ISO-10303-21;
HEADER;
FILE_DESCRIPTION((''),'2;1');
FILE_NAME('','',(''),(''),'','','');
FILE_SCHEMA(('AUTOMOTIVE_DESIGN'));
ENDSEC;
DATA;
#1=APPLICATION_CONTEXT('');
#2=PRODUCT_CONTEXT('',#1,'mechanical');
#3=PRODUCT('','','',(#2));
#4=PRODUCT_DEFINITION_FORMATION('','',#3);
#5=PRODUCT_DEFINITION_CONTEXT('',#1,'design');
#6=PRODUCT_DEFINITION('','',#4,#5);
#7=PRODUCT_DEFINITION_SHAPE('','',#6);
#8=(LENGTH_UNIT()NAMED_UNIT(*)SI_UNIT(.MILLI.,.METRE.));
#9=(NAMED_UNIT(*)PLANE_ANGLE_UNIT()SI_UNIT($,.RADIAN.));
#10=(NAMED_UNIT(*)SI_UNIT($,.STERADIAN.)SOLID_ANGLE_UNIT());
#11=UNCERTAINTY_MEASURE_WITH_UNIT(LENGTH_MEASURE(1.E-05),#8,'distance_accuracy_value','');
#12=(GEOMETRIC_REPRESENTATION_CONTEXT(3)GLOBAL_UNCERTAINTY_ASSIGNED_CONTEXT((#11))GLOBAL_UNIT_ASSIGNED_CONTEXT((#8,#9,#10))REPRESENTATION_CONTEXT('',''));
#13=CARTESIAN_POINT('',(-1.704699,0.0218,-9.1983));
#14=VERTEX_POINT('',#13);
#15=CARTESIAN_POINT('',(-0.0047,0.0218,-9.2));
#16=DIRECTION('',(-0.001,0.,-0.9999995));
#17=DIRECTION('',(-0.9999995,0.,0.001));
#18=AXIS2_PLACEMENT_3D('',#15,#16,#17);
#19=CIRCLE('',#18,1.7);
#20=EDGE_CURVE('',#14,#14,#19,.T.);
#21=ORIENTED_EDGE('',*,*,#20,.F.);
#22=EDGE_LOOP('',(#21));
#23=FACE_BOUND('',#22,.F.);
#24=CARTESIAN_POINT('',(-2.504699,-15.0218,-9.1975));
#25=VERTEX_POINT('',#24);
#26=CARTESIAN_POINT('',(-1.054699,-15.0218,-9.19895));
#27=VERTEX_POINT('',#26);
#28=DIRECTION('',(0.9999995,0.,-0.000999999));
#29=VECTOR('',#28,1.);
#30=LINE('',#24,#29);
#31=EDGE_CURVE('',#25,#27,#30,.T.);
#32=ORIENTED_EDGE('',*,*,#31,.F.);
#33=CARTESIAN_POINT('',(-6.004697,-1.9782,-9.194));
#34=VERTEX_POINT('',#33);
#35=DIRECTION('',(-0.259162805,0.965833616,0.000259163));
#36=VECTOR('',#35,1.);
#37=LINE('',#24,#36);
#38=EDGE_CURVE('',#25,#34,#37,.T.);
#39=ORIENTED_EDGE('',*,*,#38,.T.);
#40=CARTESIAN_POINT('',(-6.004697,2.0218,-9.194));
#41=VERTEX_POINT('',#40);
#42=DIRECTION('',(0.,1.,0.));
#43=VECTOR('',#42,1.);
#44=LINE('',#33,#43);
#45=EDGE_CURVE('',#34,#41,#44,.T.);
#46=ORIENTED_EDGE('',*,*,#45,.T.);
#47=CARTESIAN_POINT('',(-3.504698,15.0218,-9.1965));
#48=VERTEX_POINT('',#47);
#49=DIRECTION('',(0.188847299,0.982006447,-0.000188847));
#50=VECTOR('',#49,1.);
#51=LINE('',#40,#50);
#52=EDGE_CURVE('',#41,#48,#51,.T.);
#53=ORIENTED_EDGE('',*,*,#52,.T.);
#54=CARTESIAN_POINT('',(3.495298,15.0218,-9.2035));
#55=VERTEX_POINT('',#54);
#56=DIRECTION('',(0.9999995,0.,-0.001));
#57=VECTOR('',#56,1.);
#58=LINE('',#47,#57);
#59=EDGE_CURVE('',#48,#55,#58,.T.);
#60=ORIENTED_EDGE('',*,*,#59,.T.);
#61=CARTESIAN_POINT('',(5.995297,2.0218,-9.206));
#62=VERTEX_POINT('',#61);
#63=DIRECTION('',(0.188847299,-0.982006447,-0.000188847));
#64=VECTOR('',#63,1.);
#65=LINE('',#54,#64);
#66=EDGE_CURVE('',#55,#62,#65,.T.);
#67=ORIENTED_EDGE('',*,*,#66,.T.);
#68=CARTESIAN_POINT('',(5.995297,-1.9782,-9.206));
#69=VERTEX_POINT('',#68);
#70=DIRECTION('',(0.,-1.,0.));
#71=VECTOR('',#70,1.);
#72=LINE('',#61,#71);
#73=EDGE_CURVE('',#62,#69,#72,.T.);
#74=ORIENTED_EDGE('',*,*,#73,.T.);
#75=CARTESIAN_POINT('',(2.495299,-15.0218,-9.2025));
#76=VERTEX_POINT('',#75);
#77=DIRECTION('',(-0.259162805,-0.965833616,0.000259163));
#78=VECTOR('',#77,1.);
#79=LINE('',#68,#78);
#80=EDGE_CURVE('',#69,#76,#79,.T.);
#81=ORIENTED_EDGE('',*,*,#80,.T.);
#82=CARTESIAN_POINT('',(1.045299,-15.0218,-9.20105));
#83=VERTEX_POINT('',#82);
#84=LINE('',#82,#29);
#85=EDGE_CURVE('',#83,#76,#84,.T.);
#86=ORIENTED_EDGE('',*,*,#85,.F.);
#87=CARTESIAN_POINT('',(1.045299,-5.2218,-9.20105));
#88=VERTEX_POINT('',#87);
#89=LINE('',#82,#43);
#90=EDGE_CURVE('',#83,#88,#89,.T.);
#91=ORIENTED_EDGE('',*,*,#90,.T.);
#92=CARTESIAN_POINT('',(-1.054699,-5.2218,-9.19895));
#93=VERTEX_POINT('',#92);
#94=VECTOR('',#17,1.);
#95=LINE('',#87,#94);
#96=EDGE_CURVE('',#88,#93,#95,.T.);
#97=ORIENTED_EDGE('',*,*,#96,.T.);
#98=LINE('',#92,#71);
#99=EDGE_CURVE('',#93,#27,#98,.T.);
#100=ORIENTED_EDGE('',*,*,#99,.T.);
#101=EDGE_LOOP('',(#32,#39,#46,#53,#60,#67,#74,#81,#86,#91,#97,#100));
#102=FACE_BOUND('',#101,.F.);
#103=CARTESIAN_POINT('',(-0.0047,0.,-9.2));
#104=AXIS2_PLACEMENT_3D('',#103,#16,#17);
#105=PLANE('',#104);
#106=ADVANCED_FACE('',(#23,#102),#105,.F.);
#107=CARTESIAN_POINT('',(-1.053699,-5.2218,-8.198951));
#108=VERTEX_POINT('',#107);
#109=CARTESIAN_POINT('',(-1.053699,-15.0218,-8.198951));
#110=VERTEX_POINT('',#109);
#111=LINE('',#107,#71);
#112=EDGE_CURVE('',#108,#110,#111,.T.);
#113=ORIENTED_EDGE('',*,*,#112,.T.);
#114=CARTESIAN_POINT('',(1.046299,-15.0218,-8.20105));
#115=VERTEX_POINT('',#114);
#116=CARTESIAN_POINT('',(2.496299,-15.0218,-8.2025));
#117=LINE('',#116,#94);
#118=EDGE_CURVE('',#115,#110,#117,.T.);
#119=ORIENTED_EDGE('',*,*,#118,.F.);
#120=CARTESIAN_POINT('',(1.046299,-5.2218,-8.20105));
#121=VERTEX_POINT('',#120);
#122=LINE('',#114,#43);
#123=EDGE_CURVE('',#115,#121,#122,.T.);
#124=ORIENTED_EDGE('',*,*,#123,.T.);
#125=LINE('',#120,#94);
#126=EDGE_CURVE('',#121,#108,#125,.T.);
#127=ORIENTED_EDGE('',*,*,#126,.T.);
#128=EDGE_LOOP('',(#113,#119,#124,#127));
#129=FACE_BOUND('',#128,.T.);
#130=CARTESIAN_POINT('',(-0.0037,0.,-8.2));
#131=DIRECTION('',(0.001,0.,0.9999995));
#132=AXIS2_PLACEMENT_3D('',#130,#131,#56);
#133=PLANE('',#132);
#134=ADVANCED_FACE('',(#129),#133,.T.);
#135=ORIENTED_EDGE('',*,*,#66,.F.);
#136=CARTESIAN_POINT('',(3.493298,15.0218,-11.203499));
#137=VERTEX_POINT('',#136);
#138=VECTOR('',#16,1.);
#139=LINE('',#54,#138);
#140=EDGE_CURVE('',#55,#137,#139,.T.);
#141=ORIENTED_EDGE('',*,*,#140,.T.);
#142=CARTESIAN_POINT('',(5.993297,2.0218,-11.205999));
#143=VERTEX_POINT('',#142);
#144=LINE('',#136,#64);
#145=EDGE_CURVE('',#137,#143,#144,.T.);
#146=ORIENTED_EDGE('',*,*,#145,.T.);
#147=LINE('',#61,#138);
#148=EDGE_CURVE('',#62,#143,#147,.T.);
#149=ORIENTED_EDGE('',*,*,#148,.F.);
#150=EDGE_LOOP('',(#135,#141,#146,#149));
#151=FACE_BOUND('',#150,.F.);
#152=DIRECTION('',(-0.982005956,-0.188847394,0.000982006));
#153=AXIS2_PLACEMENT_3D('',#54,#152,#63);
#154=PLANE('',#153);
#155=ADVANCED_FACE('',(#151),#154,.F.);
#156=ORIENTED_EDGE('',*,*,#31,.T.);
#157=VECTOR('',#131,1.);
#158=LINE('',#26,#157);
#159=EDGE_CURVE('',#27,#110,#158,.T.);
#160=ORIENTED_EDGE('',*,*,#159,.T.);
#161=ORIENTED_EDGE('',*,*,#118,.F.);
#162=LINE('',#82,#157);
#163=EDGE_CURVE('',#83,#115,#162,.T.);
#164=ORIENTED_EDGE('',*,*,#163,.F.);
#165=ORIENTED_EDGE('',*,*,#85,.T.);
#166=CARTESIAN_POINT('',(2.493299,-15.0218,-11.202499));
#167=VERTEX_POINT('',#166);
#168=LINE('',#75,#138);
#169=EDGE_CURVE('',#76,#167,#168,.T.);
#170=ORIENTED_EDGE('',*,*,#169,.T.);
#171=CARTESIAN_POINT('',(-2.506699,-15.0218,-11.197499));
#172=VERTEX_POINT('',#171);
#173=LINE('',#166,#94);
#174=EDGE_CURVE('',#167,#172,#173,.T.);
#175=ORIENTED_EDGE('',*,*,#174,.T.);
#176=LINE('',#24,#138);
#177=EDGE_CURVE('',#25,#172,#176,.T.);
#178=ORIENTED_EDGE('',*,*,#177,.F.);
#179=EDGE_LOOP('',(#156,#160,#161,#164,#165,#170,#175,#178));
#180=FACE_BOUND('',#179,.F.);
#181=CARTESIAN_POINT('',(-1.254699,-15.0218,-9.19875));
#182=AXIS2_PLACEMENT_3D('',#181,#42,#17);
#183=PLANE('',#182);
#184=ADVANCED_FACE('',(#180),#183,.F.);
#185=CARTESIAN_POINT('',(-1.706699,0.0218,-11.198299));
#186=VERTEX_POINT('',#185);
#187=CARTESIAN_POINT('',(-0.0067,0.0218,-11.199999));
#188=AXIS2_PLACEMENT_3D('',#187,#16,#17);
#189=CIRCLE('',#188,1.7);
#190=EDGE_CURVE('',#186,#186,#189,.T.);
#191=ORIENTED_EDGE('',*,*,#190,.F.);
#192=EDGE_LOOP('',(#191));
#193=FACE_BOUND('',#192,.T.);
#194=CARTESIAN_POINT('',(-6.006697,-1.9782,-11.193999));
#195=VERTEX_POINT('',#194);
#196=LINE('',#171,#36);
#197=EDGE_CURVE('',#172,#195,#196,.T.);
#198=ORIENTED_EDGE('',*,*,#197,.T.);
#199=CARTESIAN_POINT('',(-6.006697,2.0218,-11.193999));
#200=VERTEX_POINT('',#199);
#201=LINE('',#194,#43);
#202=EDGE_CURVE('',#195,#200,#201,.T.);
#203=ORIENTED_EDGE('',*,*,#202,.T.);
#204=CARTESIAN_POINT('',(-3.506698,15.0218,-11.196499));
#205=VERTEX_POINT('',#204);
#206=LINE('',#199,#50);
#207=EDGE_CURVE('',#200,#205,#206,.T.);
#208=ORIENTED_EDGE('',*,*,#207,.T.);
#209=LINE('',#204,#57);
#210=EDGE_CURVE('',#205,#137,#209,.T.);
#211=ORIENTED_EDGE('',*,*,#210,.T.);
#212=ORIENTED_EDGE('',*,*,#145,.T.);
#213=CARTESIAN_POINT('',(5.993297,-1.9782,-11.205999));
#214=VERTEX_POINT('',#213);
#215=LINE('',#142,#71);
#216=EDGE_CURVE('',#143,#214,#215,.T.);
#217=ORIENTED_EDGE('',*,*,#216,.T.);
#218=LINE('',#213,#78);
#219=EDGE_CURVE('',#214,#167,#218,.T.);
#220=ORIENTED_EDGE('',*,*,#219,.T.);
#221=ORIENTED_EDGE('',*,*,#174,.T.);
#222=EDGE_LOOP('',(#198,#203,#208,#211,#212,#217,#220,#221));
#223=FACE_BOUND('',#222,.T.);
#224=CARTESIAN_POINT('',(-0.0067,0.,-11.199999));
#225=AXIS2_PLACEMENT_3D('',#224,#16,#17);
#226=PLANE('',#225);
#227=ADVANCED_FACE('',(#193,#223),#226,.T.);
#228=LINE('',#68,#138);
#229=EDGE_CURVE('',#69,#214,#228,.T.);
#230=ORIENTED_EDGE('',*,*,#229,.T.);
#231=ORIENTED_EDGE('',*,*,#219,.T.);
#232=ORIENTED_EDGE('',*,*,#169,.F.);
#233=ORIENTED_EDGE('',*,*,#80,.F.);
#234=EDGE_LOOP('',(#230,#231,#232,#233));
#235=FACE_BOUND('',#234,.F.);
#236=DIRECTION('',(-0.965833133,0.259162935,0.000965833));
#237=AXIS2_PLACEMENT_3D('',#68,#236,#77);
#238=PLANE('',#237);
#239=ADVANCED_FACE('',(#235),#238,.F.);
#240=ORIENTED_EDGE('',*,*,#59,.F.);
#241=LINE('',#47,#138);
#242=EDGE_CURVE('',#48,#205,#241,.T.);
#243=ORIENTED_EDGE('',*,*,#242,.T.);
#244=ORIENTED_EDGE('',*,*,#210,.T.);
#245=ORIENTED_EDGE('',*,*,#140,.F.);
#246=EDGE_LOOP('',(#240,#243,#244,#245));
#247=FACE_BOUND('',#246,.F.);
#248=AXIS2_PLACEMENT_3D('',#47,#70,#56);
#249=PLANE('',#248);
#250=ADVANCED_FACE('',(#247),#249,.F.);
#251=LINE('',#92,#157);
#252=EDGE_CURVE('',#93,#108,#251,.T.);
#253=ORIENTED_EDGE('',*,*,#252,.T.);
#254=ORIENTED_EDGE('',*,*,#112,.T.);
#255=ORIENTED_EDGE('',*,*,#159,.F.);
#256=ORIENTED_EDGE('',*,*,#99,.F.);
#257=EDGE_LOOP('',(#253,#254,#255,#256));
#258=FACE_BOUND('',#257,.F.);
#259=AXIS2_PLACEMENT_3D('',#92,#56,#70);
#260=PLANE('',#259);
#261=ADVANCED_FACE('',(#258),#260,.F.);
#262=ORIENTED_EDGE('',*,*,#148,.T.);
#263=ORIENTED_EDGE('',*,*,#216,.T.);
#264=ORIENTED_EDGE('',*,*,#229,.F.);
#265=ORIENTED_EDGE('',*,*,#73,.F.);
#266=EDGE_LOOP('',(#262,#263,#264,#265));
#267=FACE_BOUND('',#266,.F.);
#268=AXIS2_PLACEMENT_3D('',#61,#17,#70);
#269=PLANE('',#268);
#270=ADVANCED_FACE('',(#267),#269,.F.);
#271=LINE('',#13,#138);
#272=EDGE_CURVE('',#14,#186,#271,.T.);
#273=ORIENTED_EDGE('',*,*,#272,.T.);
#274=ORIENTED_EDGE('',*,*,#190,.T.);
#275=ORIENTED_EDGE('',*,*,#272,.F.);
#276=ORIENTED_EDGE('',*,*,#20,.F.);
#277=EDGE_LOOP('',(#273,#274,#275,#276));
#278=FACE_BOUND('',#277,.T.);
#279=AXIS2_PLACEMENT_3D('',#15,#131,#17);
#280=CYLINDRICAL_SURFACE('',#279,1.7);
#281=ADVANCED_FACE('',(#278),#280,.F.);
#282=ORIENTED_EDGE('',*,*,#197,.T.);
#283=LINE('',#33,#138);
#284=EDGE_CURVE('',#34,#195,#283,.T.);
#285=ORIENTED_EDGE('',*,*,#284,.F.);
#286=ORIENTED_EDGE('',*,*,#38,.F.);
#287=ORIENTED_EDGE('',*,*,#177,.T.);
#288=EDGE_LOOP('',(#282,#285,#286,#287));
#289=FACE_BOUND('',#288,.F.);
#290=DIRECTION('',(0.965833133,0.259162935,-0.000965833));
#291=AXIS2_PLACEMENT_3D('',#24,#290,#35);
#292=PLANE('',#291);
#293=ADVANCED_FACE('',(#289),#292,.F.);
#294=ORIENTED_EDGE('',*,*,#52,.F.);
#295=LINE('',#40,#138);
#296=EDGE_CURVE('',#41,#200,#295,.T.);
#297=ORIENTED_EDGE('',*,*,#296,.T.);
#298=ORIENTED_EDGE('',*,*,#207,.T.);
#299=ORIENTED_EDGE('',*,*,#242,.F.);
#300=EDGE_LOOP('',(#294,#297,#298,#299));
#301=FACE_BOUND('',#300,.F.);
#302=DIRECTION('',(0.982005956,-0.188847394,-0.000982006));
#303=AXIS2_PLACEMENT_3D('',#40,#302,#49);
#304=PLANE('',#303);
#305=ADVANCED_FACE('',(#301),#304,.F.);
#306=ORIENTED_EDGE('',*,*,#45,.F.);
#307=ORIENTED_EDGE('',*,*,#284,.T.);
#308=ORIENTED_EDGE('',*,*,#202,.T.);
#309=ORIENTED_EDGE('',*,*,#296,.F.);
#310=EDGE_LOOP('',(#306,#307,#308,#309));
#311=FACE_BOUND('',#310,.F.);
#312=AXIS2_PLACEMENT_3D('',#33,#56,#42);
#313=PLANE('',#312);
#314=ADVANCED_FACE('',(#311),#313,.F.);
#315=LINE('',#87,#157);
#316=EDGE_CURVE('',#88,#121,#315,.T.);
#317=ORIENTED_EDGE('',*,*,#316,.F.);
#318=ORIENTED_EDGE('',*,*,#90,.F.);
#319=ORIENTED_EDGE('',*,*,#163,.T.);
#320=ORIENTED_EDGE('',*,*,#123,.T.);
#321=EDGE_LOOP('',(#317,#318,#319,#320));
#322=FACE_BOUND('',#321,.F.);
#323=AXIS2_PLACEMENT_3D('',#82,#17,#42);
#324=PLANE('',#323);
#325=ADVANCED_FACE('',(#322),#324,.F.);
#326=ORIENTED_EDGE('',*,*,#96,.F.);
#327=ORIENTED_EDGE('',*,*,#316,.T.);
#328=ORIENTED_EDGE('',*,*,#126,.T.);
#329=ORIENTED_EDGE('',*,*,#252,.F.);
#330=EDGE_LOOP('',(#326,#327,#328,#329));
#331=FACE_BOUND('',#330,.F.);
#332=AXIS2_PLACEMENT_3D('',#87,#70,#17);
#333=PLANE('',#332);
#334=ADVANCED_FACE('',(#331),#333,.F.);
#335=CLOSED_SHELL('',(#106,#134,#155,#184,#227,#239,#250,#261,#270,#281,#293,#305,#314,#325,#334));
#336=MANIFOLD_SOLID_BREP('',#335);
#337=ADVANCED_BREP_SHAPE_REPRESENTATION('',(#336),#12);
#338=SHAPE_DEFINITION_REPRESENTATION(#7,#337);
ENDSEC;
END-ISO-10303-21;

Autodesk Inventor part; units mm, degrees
ref_plane "YZ Plane" through (0, 0, 0) normal (1, 0, 0) x (0, 1, 0)
ref_plane "XZ Plane" through (0, 0, 0) normal (0, 1, 0) x (-1, 0, 0)
ref_plane "XY Plane" through (0, 0, 0) normal (0, 0, 1) x (1, 0, 0)
ref_plane "Work Plane2" through (-0.0047, 0, -9.2) normal (-0.001, 0, -1) x (-1, 0, 0.001)
sketch "Sketch2" plane through (-0.0047, 0, -9.2) normal (-0.001, 0, -1) x (-1, 0, 0.001)
  line L0 (6, 2.0218) -> (3.5, 15.0218) projected
  line L1 (6, -1.9782) -> (6, 2.0218) projected
  line L2 (2.5, -15.0218) -> (6, -1.9782) projected
  line L3 (3.5, 15.0218) -> (-3.5, 15.0218) projected
  line L4 (-3.5, 15.0218) -> (-6, 2.0218) projected
  line L5 (-6, 2.0218) -> (-6, -1.9782) projected
  line L6 (-6, -1.9782) -> (-2.5, -15.0218) projected
  line L7 (1.25, -15.0218) -> (2.5, -15.0218) projected
  line L8 (-2.5, -15.0218) -> (-1.25, -15.0218) projected
  line L9 (1.25, -15.0218) -> (-1.25, -15.0218)
  circle A0 centre (0, 0.0218) radius 1.7 projected
  point P0 (0.0047, 0)
extrude "Extrusion1" add sketch "Sketch2" along normal blind 2
sketch "Sketch3" plane through (-0.0047, 0, -9.2) normal (0.001, 0, 1) x (1, 0, -0.001)
  line L0 (1.25, -15.0218) -> (1.25, -5.0218) construction
  line L1 (-1.25, -5.0218) -> (-1.25, -15.0218) construction
  line L2 (2.5, -15.0218) -> (-2.5, -15.0218) projected
  line L3 (1.05, -5.2218) -> (-1.05, -5.2218)
  line L4 (-1.05, -5.2218) -> (-1.05, -15.0218)
  line L5 (-1.05, -15.0218) -> (1.05, -15.0218)
  line L6 (1.05, -15.0218) -> (1.05, -5.2218)
  point P0 (-0.0047, 0)
  point P1 (1.05, -15.0218)
  dimension "d2" = 0.2
  dimension "d3" = 0.2
  dimension "d4" = 0.2
extrude "Extrusion2" add sketch "Sketch3" along normal blind 1
equation "\"d3\" = d2"
equation "\"d4\" = d2"
properties part number "SmallBeltClampCover"
